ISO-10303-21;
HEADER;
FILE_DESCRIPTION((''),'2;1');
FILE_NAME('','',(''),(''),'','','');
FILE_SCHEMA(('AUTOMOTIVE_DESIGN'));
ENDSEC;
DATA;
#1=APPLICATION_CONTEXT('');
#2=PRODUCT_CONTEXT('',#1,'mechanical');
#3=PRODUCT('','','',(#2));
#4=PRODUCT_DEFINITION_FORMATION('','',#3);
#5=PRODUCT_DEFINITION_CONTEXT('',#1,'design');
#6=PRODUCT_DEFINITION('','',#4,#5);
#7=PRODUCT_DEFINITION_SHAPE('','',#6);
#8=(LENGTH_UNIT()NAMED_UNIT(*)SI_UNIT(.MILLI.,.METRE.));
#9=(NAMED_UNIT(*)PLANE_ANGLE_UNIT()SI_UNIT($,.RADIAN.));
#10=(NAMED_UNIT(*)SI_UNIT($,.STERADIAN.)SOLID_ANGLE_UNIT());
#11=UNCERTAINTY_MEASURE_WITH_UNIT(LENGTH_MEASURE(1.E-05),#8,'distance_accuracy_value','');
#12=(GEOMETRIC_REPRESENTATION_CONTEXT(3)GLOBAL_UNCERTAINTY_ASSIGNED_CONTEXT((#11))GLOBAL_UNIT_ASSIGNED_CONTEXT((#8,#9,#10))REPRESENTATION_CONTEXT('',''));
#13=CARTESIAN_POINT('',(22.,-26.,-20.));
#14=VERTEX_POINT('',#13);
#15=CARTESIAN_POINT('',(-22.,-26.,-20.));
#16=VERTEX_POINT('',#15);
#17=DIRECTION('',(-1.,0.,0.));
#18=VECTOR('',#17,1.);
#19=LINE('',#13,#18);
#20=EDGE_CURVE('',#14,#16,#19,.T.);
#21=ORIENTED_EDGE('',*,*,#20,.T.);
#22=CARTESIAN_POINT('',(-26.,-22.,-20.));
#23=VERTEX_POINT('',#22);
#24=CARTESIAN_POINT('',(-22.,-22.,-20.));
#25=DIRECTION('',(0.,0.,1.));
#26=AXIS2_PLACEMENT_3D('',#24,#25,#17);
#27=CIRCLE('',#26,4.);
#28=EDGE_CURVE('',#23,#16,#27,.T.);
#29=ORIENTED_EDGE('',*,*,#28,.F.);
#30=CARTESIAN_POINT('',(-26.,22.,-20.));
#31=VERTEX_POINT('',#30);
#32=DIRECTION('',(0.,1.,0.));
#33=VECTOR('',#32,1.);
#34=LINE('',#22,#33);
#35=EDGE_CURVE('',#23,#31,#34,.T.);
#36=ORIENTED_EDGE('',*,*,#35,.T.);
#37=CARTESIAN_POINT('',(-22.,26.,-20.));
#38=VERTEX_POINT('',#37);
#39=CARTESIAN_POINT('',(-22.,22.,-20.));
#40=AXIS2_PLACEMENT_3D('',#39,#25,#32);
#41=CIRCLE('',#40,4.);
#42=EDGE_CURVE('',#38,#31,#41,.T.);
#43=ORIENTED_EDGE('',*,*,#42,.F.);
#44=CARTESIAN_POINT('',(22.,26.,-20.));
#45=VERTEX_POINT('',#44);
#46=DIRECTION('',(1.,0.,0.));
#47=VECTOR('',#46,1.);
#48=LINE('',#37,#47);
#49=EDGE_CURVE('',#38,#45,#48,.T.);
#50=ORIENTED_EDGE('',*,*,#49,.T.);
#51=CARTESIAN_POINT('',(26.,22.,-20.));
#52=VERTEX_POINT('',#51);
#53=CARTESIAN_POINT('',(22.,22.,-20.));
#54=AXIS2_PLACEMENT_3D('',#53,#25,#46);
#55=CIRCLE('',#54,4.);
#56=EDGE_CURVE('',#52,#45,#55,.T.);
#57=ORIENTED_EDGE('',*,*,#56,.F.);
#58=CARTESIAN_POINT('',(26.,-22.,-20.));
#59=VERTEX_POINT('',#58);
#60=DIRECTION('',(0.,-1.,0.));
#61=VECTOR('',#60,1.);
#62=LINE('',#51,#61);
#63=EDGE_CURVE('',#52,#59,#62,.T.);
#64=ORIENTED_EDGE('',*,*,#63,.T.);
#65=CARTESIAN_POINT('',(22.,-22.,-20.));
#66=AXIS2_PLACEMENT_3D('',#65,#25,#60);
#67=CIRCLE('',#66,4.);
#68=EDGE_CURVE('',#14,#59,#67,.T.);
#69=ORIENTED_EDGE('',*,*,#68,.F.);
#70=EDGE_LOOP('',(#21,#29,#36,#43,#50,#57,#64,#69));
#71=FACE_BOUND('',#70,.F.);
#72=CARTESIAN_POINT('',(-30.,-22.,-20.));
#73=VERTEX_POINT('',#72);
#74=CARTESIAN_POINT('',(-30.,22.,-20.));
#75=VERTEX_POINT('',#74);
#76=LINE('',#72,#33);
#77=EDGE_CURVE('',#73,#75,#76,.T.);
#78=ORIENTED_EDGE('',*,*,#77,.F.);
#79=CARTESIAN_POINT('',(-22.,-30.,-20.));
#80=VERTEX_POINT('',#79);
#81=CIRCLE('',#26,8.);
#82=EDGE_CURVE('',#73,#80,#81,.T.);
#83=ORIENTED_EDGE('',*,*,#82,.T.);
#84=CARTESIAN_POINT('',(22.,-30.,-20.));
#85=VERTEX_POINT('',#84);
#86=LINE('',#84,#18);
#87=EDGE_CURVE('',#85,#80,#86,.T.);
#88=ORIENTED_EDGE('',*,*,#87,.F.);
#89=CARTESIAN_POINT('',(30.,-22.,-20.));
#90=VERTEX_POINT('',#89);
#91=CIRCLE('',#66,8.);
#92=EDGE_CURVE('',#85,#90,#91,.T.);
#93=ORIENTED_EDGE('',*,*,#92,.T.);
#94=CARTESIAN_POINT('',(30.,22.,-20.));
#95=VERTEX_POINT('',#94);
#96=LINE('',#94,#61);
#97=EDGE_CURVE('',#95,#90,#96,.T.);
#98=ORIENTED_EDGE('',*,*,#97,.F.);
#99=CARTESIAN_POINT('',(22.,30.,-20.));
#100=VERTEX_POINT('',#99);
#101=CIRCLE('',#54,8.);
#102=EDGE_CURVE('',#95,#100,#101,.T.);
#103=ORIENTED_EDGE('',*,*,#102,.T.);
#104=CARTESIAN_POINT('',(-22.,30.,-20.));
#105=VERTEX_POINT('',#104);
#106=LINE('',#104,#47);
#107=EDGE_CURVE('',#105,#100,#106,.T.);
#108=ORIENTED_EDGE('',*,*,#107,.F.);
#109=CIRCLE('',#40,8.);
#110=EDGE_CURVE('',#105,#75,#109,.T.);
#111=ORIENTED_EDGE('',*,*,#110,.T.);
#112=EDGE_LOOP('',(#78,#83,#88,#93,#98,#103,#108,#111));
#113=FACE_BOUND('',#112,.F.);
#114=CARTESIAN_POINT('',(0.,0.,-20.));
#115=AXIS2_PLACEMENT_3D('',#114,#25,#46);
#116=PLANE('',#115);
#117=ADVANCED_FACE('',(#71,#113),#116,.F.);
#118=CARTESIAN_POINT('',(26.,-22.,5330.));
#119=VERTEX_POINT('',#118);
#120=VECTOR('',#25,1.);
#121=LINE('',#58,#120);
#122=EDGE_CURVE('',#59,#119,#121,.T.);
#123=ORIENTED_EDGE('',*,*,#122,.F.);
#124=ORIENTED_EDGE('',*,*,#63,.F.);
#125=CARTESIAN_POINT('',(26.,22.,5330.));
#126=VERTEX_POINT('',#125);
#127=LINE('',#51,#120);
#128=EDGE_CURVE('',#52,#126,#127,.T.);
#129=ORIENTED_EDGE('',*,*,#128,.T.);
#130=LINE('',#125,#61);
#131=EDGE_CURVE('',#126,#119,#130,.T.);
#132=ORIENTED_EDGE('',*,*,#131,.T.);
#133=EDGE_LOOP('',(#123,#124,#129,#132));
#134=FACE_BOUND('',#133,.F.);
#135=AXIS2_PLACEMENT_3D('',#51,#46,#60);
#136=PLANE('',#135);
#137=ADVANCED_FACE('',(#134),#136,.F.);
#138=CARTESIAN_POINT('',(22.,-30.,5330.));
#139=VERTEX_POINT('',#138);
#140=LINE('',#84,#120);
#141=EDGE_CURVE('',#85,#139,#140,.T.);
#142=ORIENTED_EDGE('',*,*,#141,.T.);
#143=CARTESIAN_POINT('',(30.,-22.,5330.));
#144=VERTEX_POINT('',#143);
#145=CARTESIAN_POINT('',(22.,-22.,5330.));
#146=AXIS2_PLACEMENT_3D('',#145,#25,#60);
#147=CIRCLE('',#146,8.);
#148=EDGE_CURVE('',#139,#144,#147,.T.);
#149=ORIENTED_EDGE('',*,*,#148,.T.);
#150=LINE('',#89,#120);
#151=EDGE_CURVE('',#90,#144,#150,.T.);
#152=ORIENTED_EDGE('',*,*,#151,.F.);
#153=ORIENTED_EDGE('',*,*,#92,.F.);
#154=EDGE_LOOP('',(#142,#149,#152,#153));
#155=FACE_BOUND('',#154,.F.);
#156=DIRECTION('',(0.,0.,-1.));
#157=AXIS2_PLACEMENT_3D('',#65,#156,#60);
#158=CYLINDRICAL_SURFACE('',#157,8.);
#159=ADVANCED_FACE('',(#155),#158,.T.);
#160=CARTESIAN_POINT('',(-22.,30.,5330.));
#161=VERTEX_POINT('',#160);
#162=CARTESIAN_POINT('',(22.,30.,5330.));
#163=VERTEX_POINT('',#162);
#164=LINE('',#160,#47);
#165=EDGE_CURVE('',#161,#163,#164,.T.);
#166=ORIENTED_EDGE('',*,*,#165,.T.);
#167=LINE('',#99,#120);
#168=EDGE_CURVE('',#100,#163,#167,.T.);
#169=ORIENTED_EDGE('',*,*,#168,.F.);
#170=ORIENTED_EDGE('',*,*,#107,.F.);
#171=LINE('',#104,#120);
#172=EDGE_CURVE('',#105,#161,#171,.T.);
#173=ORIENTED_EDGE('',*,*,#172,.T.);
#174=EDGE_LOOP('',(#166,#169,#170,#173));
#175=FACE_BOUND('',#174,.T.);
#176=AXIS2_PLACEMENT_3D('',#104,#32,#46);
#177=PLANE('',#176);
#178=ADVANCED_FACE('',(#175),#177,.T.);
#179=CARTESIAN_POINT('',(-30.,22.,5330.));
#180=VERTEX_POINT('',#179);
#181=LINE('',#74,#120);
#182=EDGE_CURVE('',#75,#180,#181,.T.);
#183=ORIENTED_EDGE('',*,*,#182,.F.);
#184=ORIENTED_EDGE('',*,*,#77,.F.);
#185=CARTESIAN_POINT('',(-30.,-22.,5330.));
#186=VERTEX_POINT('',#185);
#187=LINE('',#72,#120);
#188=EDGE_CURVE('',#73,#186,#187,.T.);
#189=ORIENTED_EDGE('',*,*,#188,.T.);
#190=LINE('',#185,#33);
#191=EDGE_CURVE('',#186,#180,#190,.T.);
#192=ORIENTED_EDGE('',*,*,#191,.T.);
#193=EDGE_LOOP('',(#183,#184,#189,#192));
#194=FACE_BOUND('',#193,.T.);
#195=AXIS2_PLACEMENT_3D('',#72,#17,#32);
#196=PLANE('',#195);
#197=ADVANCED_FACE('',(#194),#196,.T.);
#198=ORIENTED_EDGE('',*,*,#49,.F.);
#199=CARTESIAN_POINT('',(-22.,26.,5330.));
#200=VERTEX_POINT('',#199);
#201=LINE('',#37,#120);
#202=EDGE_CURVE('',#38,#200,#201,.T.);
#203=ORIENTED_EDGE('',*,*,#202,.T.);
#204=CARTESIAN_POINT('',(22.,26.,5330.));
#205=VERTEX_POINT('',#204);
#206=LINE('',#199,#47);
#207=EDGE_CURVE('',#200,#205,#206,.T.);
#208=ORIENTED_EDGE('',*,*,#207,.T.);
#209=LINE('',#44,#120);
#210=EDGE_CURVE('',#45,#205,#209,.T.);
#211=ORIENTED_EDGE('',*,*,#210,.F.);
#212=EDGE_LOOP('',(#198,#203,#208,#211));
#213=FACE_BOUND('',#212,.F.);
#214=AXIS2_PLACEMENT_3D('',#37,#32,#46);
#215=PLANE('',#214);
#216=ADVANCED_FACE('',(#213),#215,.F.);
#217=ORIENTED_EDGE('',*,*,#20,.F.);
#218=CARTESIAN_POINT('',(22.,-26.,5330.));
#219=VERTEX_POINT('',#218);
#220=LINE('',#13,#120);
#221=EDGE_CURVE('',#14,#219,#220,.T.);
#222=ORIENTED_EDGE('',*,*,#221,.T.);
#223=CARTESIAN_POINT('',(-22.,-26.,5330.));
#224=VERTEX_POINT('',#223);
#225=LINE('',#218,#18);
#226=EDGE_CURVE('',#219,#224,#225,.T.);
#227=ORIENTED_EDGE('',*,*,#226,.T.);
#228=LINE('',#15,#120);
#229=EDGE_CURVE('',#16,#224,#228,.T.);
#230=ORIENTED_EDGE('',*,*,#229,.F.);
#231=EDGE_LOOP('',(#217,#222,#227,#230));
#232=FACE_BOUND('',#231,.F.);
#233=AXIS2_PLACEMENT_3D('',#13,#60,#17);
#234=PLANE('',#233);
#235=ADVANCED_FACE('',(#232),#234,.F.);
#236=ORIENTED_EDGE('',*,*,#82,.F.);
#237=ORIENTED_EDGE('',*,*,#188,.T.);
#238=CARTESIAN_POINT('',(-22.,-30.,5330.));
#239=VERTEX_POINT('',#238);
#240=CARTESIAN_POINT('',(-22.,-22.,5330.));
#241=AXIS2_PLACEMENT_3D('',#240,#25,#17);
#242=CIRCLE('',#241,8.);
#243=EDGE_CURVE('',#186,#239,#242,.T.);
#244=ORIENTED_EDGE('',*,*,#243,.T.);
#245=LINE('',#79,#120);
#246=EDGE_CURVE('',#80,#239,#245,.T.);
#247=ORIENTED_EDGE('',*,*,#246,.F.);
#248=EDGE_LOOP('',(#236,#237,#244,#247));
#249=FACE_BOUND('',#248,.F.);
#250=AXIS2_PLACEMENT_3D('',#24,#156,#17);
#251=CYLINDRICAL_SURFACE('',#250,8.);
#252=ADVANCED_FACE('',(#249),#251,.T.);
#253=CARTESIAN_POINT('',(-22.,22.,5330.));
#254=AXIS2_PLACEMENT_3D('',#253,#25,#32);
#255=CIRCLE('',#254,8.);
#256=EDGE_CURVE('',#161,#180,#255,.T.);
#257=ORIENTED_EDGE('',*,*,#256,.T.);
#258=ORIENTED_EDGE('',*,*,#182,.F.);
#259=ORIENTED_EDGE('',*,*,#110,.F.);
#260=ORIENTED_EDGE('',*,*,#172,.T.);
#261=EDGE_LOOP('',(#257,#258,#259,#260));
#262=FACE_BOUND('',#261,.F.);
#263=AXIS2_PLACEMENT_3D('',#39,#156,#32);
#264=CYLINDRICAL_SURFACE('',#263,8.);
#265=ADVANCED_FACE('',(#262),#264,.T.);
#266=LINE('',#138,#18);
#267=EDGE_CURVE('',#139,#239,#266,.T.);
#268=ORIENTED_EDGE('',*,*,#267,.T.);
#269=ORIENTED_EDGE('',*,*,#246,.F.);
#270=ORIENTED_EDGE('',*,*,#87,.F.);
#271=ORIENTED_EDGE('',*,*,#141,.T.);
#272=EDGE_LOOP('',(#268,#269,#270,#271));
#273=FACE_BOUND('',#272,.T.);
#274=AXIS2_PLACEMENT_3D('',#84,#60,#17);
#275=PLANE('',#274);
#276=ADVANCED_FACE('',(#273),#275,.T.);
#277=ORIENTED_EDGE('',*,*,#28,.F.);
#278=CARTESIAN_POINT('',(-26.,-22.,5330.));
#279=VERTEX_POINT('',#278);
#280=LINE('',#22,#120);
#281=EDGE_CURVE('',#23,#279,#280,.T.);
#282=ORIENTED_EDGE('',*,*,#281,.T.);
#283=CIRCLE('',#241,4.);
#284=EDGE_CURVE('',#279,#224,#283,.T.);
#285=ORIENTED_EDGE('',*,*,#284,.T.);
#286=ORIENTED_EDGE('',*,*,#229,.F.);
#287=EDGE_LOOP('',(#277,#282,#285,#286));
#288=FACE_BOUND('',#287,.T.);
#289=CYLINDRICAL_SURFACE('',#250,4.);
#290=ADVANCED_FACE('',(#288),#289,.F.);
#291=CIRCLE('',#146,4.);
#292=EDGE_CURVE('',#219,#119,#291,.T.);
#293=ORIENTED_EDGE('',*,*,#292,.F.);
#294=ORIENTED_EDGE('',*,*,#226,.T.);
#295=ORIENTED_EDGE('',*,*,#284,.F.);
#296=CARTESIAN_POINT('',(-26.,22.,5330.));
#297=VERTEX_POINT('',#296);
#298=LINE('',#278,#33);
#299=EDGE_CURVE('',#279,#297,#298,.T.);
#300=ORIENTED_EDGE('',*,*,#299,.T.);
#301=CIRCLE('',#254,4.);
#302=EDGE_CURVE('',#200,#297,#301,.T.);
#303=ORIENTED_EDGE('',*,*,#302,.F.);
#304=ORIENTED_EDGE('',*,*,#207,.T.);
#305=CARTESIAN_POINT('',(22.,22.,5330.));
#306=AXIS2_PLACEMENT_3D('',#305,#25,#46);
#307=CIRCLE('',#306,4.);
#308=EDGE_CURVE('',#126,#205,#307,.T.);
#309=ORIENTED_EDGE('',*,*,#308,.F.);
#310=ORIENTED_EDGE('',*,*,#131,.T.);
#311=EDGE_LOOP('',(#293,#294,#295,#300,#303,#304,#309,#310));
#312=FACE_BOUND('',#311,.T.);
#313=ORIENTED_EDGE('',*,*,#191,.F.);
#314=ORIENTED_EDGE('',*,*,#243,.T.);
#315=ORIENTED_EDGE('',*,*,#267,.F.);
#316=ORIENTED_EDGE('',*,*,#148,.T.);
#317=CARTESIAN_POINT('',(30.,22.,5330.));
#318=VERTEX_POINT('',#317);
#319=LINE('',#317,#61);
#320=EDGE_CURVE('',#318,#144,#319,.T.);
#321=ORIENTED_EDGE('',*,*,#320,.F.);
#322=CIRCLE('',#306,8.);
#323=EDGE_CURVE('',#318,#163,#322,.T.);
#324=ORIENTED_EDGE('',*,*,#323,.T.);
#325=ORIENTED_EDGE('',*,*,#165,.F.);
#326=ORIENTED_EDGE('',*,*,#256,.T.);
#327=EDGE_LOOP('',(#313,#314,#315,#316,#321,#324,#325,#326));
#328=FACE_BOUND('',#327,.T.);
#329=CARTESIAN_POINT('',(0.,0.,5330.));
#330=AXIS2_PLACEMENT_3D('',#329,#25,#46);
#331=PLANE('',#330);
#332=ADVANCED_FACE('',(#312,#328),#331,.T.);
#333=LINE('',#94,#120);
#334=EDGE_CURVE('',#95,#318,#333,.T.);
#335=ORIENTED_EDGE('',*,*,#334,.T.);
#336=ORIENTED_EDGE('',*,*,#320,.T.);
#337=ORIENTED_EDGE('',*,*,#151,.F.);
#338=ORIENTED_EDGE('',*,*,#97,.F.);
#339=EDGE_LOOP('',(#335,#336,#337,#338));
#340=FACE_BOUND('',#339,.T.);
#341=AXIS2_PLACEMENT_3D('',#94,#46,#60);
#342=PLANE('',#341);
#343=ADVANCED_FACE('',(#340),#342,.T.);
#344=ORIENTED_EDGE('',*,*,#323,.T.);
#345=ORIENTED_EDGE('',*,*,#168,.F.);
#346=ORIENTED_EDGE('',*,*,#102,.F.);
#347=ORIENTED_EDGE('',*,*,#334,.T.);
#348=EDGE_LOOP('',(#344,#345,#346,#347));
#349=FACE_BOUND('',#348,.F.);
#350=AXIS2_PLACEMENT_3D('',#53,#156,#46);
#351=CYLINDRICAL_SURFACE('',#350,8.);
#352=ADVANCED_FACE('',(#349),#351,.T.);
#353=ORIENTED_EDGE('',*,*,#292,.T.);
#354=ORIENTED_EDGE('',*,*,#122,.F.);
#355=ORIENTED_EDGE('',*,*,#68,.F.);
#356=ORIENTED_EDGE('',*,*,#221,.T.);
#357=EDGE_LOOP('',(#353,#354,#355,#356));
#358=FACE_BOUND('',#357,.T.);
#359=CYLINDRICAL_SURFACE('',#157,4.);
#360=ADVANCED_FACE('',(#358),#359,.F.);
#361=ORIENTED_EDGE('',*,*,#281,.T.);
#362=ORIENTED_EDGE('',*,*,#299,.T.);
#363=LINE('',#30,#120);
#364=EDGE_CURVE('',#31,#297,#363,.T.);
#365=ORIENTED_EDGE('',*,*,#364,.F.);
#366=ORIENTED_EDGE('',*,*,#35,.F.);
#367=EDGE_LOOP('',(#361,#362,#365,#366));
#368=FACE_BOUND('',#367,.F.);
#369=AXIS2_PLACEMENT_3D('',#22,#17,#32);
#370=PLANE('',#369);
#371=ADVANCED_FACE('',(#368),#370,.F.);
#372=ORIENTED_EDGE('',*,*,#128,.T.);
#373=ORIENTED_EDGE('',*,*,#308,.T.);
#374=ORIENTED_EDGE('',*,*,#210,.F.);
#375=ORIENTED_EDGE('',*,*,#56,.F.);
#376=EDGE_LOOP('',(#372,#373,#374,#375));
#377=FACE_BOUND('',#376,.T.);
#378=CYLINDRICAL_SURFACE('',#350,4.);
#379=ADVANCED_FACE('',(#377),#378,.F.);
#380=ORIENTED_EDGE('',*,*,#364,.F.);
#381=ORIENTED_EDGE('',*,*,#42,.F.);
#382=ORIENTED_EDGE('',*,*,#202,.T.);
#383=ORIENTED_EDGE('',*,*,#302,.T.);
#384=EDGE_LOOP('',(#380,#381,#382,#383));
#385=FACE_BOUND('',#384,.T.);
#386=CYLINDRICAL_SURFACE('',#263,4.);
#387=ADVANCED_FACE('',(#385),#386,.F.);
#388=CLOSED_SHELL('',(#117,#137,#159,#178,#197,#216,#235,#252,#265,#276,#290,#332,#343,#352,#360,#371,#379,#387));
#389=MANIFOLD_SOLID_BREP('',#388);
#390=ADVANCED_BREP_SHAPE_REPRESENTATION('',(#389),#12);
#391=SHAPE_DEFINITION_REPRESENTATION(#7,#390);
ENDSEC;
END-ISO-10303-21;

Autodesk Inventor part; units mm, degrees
ref_plane "Start Plane" through (0, 0, -20) normal (0, 0, 1) x (1, 0, 0)
ref_plane "End Plane" through (0, 0, 5330) normal (0, 0, 1) x (1, 0, 0)
sketch "Sketch" plane through (0, 0, 0) normal (0, 0, 1) x (1, 0, 0)
  line L0 (-30, -22) -> (-30, 22)
  line L1 (-22, 30) -> (22, 30)
  line L2 (30, 22) -> (30, -22)
  line L3 (22, -30) -> (-22, -30)
  arc A0 (-30, -22) -> (-22, -30) centre (-22, -22) ccw
  arc A1 (30, 22) -> (22, 30) centre (22, 22) ccw
  arc A2 (-22, 30) -> (-30, 22) centre (-22, 22) ccw
  arc A3 (22, -30) -> (30, -22) centre (22, -22) ccw
  arc A4 (-22, 26) -> (-26, 22) centre (-22, 22) ccw
  line L4 (-22, 26) -> (22, 26)
  arc A5 (26, 22) -> (22, 26) centre (22, 22) ccw
  line L5 (26, 22) -> (26, -22)
  arc A6 (22, -26) -> (26, -22) centre (22, -22) ccw
  line L6 (22, -26) -> (-22, -26)
  arc A7 (-26, -22) -> (-22, -26) centre (-22, -22) ccw
  line L7 (-26, -22) -> (-26, 22)
  line L8 (0, 44.3196) -> (0, -44.3196) construction
  line L9 (-44.3196, 0) -> (44.3196, 0) construction
  dimension "d7" = 8
  dimension "d9" = 60
  dimension "d11" = 60
  dimension "d12" = 4
  dimension "d15" = 30
  dimension "d16" = 30
extrude "Body" add sketch "Sketch" along normal up to surface (5350 mm away) from surface at -20
sketch "Sketch3" plane through (0, 0, 0) normal (0, 0, 1) x (1, 0, 0)
  line L0 (0, 0) -> (10, 0)
ref_plane "Work Plane3" through (0, 0, 0) normal (0, -1, 0) x (1, 0, 0)
ref_plane "Work Plane4" through (0, -16, 5330) normal (0, 0, 1) x (1, 0, 0)
split "Split1" plane through (0, -16, 5330) removes the side toward (0, 0, 1)
ref_plane "Work Plane5" through (0, 26, -20) normal (0, 0, -1) x (-1, 0, 0)
split "Split2" plane through (0, 26, -20) removes the side toward (0, 0, -1)
sketch "Sketch4" plane through (0, 0, 0) normal (0, -1, 0) x (1, 0, 0)
  line L0 (-2, -20) -> (12, -20) projected
  line L1 (-2, 5330) -> (12, 5330) projected
  dimension "d18" = 5350
equation "\"d7\" = G_IR"
equation "\"d9\" = G_W"
equation "\"d11\" = G_H"
equation "\"d12\" = G_T"
equation "\"d15\" = 0.5 * d9"
equation "\"d16\" = 0.5 * d11"
equation "\"d3\" = G_L"
equation "\"G_W\" = 60"
equation "\"G_H\" = 60"
equation "\"G_T\" = 4"
equation "\"G_IR\" = 8"
equation "\"G_L\" = d18"
properties part number "ISO 10799-2 - 60x60x4 - 5350" material "Steel, Mild"
